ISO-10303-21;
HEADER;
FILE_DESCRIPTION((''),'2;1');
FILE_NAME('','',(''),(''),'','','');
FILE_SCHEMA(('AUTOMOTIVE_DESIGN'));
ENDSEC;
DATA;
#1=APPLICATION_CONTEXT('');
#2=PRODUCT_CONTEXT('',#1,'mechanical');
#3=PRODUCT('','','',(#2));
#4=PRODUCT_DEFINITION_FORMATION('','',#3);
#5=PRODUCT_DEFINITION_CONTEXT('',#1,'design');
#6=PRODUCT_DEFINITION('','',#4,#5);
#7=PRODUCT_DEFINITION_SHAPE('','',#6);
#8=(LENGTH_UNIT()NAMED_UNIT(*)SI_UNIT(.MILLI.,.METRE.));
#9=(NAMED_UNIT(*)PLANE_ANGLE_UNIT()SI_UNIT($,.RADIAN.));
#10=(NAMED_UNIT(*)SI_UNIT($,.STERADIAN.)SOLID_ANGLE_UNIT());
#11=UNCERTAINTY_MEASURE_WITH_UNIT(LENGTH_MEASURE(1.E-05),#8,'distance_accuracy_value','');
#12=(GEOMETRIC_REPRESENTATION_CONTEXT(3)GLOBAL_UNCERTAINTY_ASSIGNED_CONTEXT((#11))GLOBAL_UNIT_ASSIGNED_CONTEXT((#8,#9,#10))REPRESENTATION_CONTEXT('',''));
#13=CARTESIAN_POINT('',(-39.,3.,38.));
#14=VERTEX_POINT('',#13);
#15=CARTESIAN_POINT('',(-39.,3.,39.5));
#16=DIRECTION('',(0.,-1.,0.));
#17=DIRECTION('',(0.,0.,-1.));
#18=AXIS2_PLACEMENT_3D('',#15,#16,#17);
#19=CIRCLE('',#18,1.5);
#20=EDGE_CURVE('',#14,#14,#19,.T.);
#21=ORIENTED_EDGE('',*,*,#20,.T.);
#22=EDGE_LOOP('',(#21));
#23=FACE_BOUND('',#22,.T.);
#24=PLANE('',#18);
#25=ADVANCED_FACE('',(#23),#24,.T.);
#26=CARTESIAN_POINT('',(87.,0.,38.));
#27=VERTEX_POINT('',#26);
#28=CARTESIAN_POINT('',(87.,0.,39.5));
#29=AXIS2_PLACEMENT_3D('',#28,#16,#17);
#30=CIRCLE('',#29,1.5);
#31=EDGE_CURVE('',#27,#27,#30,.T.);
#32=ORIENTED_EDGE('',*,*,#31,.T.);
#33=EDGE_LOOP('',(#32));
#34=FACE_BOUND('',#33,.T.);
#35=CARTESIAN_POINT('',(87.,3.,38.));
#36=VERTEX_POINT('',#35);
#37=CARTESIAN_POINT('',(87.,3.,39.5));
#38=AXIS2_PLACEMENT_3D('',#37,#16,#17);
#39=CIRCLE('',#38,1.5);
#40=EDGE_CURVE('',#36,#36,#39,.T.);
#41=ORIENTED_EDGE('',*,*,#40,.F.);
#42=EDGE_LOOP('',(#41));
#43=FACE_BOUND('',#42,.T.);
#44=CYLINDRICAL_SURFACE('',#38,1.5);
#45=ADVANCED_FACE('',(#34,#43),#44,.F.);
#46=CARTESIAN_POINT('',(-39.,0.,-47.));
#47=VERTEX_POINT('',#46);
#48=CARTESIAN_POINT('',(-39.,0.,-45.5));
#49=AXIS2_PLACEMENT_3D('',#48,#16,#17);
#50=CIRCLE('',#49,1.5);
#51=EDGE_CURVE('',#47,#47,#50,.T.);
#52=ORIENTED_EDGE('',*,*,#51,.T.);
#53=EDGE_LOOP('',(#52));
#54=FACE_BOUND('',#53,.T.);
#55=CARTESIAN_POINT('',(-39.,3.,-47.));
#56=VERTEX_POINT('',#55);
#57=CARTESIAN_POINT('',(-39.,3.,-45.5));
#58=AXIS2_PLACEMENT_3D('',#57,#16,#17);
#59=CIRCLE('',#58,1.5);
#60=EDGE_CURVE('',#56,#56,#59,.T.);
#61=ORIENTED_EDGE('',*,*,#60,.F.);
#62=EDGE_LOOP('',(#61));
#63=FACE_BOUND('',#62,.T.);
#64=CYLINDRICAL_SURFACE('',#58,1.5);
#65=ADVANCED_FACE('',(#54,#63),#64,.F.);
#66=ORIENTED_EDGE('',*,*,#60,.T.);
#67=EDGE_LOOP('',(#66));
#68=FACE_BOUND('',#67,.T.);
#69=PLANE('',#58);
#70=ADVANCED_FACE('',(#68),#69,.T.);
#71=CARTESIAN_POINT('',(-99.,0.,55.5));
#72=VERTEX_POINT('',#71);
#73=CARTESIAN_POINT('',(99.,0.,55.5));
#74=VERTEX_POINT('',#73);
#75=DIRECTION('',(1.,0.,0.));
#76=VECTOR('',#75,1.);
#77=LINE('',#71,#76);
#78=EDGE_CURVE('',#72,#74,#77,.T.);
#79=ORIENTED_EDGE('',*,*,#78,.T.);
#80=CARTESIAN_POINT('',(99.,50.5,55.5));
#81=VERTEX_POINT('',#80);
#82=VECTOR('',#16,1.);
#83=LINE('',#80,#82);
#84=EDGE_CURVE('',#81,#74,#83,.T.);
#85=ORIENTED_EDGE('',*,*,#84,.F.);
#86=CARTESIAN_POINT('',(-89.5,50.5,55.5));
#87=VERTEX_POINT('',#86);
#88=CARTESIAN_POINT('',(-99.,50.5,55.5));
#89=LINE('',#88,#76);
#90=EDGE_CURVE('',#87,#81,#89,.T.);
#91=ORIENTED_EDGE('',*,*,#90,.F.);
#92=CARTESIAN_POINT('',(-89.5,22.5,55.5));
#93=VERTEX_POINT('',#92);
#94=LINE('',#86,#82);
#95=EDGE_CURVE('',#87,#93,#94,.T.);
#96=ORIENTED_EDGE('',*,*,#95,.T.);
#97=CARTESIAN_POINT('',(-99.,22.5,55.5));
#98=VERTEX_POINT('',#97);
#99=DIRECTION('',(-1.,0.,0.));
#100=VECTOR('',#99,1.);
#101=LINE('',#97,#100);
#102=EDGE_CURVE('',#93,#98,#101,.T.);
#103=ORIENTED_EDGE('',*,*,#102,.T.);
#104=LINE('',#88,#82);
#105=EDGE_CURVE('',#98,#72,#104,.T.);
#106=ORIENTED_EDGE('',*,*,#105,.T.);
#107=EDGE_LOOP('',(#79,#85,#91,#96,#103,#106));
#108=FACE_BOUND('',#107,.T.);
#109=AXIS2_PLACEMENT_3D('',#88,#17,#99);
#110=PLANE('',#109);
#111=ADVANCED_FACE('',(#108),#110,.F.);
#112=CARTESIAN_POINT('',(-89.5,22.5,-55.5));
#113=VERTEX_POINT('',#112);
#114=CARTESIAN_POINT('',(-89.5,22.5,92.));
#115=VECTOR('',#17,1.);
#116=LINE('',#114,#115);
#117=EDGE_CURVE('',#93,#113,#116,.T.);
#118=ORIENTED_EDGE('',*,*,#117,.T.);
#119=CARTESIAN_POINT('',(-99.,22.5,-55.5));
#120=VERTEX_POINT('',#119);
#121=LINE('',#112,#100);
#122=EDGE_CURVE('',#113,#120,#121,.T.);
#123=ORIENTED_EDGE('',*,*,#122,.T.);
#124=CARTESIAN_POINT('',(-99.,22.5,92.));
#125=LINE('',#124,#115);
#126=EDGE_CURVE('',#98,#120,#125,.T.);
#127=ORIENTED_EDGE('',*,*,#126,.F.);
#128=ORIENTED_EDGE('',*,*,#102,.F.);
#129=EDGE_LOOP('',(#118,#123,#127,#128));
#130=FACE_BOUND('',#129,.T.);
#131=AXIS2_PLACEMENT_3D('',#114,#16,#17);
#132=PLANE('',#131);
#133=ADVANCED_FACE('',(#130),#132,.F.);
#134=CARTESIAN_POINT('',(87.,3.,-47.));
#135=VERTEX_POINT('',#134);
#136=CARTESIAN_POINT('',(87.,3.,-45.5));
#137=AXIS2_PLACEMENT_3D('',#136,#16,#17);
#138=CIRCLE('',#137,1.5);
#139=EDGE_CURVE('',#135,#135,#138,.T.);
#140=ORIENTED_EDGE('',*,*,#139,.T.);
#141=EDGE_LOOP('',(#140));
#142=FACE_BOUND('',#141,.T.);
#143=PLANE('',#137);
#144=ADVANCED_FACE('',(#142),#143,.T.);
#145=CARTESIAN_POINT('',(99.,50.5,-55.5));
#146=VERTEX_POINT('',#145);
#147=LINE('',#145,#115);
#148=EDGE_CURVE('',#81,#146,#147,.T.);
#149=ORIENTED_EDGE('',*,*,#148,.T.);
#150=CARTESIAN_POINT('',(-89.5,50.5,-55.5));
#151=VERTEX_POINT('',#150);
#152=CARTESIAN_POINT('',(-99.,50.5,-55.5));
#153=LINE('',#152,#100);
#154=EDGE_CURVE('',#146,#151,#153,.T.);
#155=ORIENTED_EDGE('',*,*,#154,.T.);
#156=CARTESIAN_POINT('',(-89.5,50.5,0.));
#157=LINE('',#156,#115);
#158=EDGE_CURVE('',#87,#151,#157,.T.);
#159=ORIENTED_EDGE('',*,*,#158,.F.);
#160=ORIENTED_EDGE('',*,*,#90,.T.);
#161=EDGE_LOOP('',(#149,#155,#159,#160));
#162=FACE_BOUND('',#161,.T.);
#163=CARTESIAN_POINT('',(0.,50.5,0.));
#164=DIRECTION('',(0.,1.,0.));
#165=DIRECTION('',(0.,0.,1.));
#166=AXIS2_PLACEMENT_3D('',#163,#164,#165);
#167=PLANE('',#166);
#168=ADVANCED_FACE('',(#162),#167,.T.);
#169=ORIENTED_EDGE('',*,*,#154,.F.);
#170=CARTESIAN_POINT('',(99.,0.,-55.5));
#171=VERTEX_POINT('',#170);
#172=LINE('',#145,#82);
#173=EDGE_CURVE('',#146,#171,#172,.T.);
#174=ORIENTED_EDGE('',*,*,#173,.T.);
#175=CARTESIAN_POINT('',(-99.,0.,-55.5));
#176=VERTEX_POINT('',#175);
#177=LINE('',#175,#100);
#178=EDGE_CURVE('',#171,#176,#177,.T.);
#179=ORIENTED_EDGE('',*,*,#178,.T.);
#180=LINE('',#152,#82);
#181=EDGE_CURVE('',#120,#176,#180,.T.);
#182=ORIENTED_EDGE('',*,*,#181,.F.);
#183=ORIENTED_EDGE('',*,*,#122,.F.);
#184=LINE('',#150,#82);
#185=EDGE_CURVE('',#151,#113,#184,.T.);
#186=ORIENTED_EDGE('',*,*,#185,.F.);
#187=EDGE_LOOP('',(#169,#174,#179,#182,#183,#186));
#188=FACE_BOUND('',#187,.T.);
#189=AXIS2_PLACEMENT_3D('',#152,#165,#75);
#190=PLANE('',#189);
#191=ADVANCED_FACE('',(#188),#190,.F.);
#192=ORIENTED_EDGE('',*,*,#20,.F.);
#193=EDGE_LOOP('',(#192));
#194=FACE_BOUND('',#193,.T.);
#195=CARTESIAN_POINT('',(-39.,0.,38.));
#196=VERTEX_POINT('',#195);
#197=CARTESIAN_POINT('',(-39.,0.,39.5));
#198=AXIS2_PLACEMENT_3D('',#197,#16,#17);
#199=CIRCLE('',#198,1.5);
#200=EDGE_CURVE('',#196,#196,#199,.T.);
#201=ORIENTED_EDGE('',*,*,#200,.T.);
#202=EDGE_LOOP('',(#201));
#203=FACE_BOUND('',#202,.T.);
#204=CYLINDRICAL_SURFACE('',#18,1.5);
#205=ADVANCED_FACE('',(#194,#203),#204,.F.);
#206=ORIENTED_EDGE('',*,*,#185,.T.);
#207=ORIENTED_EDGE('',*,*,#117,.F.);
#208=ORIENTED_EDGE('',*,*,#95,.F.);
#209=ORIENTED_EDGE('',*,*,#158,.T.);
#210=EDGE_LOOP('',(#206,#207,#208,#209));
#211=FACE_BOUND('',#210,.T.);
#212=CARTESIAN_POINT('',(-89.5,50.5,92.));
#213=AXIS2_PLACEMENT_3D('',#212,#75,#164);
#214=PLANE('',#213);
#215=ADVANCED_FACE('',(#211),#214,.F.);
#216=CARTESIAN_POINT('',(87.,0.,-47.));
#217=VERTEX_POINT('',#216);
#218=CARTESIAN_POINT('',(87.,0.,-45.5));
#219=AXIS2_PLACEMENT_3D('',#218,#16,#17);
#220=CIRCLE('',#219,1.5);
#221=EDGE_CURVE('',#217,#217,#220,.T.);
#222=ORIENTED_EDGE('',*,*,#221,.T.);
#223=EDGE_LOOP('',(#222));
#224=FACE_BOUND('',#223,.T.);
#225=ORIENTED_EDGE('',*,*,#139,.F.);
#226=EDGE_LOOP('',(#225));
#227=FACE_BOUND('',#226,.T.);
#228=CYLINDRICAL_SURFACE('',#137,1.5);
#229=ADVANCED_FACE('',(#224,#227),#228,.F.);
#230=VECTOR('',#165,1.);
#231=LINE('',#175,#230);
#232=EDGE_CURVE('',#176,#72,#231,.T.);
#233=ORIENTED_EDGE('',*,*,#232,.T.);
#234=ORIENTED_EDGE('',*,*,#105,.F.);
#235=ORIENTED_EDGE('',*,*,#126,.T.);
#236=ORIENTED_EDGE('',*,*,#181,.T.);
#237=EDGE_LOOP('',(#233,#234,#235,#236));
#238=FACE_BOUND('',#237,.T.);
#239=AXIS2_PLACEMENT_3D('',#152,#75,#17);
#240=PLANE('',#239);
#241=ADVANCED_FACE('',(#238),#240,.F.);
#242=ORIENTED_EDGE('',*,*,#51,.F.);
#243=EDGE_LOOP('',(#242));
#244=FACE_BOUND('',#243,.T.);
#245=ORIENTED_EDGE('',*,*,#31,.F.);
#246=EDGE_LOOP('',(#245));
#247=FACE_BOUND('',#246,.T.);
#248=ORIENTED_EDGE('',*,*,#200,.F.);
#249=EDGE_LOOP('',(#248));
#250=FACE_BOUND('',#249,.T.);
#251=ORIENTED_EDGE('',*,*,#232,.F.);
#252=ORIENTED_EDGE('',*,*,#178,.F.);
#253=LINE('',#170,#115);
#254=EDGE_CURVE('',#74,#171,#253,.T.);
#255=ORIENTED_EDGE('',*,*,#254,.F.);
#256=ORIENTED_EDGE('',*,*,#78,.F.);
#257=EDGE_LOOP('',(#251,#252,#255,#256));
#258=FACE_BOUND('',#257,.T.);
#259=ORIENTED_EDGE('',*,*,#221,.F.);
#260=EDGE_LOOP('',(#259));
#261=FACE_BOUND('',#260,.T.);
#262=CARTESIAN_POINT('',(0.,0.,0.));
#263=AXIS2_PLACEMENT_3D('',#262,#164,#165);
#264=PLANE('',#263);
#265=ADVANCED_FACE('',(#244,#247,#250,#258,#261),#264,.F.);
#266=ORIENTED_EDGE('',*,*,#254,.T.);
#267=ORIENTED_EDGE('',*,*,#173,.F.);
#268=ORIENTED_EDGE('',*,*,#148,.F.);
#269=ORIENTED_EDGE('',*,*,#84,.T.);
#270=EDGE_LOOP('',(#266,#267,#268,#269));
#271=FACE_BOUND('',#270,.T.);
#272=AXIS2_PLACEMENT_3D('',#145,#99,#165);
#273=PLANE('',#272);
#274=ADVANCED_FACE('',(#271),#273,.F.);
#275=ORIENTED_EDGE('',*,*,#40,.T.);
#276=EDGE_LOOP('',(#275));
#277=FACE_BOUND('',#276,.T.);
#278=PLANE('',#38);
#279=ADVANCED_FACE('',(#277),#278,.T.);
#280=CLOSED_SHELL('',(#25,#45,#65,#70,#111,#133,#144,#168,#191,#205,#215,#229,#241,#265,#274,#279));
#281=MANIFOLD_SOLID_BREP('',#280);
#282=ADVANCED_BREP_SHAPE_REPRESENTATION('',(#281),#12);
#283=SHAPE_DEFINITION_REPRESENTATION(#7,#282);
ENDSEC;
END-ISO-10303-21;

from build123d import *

# Parameters (mm, degrees)
SKETCH1_W           = 198
SKETCH1_H           = 111
BOSS_EXTRUDE1_DEPTH = 50.5
SKETCH2_W           = 9.5
SKETCH2_H           = 28
CUT_EXTRUDE1_DEPTH  = 147.5
SKETCH4_R           = 1.5
CUT_EXTRUDE2_DEPTH  = 3


with BuildPart() as part:
    # Sketch1 → Boss-Extrude1 (new body)
    with BuildSketch(Plane(origin=(0, 0, 0), x_dir=(1, 0, 0), z_dir=(0, 1, 0))):
        Rectangle(SKETCH1_W, SKETCH1_H)
    extrude(amount=BOSS_EXTRUDE1_DEPTH)

    # Sketch2 → Cut-Extrude1 (cut)
    with BuildSketch(Plane(origin=(0, 0, -55.5), x_dir=(-1, 0, 0), z_dir=(0, 0, -1))):
        with Locations((94.25, 36.5)):
            Rectangle(SKETCH2_W, SKETCH2_H)
    extrude(amount=-CUT_EXTRUDE1_DEPTH, mode=Mode.SUBTRACT)

    # Sketch4 → Cut-Extrude2 (cut)
    with BuildSketch(Plane.XZ):
        with Locations((87, 39.5)):
            Circle(SKETCH4_R)
        with Locations((87, -45.5)):
            Circle(SKETCH4_R)
        with Locations((-39, 39.5)):
            Circle(SKETCH4_R)
        with Locations((-39, -45.5)):
            Circle(SKETCH4_R)
    extrude(amount=-CUT_EXTRUDE2_DEPTH, mode=Mode.SUBTRACT)


solid = part.part
